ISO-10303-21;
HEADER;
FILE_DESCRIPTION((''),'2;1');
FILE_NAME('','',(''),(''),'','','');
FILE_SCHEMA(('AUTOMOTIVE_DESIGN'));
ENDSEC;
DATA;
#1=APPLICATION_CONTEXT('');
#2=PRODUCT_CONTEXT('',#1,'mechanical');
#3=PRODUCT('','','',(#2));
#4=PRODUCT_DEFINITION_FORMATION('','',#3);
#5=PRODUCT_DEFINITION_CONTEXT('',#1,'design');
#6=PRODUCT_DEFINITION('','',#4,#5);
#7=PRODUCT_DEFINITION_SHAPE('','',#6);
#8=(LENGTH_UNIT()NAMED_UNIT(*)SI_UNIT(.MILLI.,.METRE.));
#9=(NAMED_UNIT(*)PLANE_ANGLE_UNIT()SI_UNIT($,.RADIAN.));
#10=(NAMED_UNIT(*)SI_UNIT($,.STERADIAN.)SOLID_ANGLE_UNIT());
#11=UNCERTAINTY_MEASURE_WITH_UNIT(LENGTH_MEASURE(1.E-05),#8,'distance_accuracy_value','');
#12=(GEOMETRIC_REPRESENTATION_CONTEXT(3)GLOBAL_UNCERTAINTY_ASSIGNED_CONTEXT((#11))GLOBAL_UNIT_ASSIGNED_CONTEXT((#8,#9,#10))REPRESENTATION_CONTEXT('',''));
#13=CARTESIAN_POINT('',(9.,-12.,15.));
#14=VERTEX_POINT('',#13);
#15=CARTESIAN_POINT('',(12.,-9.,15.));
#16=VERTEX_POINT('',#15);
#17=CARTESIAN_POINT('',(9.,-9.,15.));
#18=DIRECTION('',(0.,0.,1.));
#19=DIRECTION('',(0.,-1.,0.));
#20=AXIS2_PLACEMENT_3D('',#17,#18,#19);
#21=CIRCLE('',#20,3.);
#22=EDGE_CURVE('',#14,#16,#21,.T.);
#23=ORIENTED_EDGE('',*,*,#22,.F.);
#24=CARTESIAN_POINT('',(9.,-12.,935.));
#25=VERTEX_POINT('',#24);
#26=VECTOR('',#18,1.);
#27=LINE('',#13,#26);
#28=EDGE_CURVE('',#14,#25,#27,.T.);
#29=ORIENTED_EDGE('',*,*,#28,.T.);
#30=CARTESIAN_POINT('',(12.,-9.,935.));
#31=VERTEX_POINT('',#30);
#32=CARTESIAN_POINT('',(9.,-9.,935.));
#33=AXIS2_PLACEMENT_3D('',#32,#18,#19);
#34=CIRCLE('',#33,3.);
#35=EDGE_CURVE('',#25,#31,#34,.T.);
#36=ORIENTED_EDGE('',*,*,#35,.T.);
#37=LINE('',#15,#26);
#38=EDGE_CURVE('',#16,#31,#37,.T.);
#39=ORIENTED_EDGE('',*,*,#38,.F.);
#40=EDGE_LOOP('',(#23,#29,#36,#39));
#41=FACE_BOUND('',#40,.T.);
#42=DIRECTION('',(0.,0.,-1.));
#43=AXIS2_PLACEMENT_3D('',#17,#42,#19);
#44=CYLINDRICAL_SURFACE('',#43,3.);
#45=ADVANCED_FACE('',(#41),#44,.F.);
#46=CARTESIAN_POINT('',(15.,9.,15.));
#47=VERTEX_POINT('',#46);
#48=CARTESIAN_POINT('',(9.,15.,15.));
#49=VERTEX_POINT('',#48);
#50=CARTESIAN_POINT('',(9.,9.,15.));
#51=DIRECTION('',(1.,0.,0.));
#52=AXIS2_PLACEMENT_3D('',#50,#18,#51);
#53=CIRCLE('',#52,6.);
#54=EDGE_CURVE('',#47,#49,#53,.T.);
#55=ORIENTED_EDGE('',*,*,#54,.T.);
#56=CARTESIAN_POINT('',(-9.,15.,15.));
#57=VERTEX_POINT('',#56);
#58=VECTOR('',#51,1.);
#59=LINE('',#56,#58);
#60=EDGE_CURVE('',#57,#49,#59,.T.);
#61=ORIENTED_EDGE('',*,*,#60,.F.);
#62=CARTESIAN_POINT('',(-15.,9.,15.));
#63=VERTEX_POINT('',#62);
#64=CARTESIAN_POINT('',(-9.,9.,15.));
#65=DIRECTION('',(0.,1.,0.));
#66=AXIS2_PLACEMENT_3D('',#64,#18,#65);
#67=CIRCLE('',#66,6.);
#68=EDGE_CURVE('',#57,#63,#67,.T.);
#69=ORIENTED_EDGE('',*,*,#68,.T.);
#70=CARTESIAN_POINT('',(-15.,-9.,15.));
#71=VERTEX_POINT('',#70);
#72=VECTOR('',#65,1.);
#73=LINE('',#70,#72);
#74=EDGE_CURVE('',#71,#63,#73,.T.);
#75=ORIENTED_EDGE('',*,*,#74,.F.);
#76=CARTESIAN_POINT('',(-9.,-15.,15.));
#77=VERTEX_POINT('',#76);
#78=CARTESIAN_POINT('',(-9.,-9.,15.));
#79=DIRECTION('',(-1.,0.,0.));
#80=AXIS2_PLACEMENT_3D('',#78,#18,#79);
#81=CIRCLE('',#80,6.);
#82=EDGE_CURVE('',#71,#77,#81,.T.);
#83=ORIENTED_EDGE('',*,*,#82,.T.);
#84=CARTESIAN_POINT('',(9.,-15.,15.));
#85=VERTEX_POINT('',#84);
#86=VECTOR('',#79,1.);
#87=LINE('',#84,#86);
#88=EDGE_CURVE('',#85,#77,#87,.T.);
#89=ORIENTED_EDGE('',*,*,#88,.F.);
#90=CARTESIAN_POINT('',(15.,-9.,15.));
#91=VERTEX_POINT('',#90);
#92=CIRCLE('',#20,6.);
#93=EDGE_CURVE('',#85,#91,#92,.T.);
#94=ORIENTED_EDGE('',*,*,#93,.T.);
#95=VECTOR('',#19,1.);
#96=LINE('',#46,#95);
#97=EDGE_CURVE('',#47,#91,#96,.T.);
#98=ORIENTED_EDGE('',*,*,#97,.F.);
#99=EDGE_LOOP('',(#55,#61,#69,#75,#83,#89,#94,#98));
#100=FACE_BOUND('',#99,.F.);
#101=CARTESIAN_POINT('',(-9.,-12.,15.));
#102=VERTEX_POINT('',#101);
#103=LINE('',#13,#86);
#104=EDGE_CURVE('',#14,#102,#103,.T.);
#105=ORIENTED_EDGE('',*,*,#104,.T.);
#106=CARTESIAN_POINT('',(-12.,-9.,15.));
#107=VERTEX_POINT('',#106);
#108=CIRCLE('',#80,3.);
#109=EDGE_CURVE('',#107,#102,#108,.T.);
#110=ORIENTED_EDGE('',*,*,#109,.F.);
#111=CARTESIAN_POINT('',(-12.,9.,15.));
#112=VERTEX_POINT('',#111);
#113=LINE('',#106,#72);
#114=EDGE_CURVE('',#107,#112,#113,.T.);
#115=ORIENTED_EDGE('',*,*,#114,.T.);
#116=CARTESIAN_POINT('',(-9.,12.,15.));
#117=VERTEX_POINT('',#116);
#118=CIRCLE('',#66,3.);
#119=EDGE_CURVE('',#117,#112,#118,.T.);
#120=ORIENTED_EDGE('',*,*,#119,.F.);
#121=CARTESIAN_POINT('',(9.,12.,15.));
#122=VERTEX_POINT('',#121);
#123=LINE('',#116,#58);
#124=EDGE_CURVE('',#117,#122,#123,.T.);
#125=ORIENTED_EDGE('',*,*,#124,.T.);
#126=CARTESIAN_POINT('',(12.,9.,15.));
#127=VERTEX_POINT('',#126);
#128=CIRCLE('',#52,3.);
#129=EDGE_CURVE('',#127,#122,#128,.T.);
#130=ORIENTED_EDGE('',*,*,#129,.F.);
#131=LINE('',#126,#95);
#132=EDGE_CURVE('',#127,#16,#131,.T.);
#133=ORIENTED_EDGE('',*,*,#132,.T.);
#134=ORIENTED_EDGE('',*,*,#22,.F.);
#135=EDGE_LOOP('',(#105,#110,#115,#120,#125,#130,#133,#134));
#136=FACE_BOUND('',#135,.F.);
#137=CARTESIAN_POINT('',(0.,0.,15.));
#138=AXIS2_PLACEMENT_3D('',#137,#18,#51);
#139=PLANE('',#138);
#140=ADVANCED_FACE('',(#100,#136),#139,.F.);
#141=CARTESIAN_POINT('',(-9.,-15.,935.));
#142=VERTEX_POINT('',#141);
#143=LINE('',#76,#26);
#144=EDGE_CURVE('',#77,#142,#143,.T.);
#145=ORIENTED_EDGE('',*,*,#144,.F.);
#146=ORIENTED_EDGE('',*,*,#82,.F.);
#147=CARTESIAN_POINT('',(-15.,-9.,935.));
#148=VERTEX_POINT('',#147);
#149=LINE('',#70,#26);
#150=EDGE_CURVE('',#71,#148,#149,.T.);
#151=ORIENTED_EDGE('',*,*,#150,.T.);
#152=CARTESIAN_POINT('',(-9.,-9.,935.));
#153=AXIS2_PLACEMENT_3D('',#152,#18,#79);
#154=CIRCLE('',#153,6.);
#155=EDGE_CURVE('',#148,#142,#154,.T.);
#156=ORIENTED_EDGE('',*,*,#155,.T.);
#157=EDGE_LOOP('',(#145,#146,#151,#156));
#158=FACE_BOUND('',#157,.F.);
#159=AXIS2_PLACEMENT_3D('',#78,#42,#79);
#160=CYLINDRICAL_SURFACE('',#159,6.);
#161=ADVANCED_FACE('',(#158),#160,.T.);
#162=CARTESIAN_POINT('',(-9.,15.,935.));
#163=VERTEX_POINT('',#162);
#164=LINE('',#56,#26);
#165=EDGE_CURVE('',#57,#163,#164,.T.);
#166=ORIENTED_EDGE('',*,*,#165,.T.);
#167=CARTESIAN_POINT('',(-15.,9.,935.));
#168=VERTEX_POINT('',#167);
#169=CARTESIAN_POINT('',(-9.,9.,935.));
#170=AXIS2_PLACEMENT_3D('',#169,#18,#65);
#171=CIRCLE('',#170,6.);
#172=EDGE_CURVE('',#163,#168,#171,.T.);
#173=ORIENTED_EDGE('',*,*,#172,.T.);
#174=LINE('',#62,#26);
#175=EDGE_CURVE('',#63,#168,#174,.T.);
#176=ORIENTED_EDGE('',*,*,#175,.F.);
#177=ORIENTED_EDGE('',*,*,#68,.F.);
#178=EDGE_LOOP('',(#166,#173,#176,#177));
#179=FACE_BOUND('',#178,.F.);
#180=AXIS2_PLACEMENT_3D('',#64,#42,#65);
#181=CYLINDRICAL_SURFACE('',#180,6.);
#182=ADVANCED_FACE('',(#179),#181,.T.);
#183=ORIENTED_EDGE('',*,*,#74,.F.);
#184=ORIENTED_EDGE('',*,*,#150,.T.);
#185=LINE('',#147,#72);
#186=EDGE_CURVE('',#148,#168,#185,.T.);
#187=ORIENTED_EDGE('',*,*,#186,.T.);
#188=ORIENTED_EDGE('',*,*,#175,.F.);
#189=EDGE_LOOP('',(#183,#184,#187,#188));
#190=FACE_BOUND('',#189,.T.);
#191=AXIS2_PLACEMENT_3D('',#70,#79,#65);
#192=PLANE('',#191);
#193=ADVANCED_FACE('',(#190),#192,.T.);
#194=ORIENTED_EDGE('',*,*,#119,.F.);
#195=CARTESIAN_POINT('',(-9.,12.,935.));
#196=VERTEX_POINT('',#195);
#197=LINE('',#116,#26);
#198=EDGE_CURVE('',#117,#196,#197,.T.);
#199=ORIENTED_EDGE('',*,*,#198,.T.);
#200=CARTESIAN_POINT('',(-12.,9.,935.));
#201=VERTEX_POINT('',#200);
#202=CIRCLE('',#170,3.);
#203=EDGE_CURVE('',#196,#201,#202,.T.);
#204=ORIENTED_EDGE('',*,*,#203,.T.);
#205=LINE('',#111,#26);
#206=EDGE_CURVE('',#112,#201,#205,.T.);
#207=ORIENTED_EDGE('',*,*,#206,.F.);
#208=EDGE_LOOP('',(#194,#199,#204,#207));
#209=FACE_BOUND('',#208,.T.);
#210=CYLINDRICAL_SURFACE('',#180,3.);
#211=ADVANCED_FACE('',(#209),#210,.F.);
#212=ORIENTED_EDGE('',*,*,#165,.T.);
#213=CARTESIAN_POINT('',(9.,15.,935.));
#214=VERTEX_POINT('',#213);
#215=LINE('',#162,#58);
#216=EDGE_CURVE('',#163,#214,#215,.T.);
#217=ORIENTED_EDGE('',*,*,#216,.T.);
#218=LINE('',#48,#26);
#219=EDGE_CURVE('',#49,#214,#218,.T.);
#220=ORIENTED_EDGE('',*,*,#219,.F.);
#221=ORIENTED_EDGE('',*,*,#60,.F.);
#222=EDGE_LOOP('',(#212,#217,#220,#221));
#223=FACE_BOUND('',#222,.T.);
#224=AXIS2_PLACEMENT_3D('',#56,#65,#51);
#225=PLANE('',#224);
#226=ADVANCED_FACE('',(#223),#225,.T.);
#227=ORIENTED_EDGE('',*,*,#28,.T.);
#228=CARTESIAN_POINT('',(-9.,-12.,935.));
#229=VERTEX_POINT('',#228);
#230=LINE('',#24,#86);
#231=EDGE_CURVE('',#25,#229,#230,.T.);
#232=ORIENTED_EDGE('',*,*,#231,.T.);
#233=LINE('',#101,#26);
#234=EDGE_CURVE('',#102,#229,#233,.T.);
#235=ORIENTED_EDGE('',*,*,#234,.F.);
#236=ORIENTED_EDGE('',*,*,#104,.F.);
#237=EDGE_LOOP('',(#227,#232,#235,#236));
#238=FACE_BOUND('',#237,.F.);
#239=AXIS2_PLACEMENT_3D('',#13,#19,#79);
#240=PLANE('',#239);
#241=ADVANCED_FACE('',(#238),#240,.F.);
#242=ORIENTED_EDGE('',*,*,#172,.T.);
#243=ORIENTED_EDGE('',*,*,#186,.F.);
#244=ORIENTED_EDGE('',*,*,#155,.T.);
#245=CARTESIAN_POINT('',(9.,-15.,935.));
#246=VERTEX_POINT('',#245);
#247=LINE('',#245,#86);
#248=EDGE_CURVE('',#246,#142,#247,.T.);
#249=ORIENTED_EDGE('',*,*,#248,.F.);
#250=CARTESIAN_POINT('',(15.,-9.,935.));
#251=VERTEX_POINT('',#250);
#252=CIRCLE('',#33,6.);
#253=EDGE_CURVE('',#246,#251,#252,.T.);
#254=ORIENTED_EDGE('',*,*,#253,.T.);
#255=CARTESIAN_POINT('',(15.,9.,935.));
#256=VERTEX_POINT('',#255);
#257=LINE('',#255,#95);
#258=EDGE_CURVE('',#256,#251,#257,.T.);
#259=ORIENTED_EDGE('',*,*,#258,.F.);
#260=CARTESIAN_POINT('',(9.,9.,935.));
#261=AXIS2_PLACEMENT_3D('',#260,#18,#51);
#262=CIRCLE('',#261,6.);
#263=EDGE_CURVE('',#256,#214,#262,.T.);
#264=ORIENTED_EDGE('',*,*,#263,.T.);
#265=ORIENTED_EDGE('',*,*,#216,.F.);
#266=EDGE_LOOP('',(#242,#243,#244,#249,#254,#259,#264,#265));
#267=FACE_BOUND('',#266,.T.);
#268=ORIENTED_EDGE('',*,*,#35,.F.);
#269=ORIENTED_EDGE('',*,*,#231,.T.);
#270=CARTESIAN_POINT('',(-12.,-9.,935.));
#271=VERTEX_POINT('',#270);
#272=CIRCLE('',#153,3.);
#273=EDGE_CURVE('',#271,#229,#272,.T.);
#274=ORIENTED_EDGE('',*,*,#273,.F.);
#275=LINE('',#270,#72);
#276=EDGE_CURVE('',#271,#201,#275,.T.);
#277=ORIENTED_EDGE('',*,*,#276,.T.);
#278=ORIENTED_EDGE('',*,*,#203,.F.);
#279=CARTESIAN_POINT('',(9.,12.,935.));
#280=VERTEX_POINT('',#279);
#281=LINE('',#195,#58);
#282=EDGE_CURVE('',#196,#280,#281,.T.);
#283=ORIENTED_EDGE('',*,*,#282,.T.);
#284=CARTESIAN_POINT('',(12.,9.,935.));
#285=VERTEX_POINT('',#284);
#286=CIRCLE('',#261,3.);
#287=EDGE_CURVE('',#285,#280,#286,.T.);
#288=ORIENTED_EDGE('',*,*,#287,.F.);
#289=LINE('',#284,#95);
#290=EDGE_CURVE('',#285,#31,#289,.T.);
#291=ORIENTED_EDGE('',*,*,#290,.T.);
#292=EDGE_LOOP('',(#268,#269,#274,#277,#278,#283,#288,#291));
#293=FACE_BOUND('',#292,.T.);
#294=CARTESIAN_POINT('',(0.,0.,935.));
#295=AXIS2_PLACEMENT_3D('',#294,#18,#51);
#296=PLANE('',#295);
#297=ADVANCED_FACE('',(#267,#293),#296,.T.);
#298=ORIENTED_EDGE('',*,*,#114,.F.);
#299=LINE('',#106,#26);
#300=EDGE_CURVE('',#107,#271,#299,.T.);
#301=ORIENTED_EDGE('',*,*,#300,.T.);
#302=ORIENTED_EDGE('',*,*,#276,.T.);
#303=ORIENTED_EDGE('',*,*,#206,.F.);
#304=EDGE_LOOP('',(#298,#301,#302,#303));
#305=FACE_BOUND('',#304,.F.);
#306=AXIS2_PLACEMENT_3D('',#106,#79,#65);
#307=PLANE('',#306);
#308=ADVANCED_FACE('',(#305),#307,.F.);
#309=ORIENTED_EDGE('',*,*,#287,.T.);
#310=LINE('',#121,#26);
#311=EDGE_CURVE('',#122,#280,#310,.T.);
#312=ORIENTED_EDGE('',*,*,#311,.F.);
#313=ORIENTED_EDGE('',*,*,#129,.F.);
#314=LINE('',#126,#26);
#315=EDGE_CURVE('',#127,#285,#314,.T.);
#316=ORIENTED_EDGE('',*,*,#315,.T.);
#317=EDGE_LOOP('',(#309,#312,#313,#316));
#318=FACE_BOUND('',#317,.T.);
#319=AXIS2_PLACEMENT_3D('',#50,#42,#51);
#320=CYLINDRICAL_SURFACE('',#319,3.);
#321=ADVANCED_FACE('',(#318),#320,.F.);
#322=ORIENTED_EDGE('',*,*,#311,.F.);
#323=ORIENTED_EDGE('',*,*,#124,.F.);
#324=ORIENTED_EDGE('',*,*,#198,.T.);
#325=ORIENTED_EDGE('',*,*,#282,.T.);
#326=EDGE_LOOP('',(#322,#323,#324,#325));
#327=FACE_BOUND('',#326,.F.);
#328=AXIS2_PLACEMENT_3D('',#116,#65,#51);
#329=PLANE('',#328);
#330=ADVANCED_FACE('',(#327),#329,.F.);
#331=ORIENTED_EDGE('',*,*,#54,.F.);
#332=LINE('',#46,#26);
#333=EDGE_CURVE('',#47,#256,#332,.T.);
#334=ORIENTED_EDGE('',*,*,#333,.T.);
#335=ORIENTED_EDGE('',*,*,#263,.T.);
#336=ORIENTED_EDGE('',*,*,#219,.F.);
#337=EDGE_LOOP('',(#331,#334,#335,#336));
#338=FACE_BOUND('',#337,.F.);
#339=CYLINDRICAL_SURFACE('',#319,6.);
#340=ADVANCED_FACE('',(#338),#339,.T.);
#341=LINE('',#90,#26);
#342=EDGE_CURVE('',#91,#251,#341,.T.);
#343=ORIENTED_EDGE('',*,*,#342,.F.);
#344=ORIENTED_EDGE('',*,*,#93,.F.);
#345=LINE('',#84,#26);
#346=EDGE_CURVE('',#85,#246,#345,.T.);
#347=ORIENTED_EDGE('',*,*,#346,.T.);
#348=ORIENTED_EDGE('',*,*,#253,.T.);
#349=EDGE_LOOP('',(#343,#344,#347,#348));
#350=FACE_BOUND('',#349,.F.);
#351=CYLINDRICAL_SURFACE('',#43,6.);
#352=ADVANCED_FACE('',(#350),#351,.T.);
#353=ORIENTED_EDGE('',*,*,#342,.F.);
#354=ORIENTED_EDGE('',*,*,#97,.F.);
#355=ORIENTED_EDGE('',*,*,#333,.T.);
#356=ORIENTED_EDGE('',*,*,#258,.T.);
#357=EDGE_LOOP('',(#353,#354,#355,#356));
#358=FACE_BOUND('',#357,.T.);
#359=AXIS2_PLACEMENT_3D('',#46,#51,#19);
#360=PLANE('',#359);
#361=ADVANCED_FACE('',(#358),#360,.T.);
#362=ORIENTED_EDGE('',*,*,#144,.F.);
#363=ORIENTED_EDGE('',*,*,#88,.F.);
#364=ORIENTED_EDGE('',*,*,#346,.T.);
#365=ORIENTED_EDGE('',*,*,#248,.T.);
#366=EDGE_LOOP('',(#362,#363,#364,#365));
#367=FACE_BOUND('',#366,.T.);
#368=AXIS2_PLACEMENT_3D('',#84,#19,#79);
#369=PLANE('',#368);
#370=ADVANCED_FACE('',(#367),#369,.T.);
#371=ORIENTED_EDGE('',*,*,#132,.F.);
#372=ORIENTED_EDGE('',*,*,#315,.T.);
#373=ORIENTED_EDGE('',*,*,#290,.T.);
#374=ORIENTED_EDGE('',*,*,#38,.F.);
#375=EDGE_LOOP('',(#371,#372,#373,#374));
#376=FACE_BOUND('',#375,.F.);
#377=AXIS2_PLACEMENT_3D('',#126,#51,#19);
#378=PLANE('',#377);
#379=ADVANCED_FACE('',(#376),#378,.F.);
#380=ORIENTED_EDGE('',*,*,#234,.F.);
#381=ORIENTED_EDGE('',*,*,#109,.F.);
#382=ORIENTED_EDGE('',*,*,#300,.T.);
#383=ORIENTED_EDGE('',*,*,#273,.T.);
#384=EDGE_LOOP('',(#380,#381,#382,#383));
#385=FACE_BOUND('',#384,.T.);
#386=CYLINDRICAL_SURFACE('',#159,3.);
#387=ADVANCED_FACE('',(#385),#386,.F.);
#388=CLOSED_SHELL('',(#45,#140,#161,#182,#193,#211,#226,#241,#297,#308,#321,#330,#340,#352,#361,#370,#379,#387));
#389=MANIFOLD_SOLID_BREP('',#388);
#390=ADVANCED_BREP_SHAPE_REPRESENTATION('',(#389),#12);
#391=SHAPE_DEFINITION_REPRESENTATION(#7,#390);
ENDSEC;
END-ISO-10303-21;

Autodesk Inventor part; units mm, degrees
ref_plane "Start Plane" through (0, 0, 15) normal (0, 0, 1) x (1, 0, 0)
ref_plane "End Plane" through (0, 0, 935) normal (0, 0, 1) x (1, 0, 0)
sketch "Sketch" plane through (0, 0, 0) normal (0, 0, 1) x (1, 0, 0)
  line L0 (-15, -9) -> (-15, 9)
  line L1 (-9, 15) -> (9, 15)
  line L2 (15, 9) -> (15, -9)
  line L3 (9, -15) -> (-9, -15)
  arc A0 (-15, -9) -> (-9, -15) centre (-9, -9) ccw
  arc A1 (-9, 15) -> (-15, 9) centre (-9, 9) ccw
  arc A2 (15, 9) -> (9, 15) centre (9, 9) ccw
  arc A3 (9, -15) -> (15, -9) centre (9, -9) ccw
  arc A4 (-9, 12) -> (-12, 9) centre (-9, 9) ccw
  line L4 (-9, 12) -> (9, 12)
  arc A5 (12, 9) -> (9, 12) centre (9, 9) ccw
  line L5 (12, 9) -> (12, -9)
  arc A6 (9, -12) -> (12, -9) centre (9, -9) ccw
  line L6 (9, -12) -> (-9, -12)
  arc A7 (-12, -9) -> (-9, -12) centre (-9, -9) ccw
  line L7 (-12, -9) -> (-12, 9)
  line L8 (0, 22.7397) -> (0, -22.7397) construction
  line L9 (-22.7397, 0) -> (22.7397, 0) construction
  dimension "d7" = 6
  dimension "d10" = 30
  dimension "d11" = 30
  dimension "d12" = 3
  dimension "d15" = 15
  dimension "d16" = 15
extrude "Body" add sketch "Sketch" along normal up to surface (920 mm away) from surface at 15
sketch "Sketch3" plane through (0, 0, 0) normal (0, 0, 1) x (1, 0, 0)
  line L0 (0, 0) -> (10, 0)
ref_plane "Work Plane3" through (0, 0, 0) normal (0, -1, 0) x (1, 0, 0)
ref_plane "Work Plane4" through (-9, -765, 15) normal (0, 0, -1) x (-1, 0, 0)
split "Split1" plane through (-9, -765, 15) removes the side toward (0, 0, -1)
ref_plane "Work Plane5" through (9, 0, 935) normal (0, 0, 1) x (1, 0, 0)
split "Split2" plane through (9, 0, 935) removes the side toward (0, 0, 1)
sketch "Sketch4" plane through (0, 0, 0) normal (0, -1, 0) x (1, 0, 0)
  line L0 (-2, 15) -> (12, 15) projected
  line L1 (-2, 935) -> (12, 935) projected
  dimension "d18" = 920
equation "\"d7\" = G_IR"
equation "\"d10\" = G_H"
equation "\"d11\" = G_W"
equation "\"d12\" = G_T"
equation "\"d15\" = 0.5 * d10"
equation "\"d16\" = 0.5 * d11"
equation "\"d3\" = G_L"
equation "\"G_W\" = 30"
equation "\"G_H\" = 30"
equation "\"G_T\" = 3"
equation "\"G_IR\" = 6"
equation "\"G_L\" = d18"
equation "\"G_OFFSET_START\" = -15"
equation "\"G_OFFSET_END\" = -15"
equation "\"d13\" = -G_OFFSET_START"
equation "\"d14\" = G_OFFSET_END + B_L"
equation "\"B_L\" = 950"
properties part number "DIN EN 10219-2 - 30 x 30 x 3  - 920" material "Steel, Mild"
